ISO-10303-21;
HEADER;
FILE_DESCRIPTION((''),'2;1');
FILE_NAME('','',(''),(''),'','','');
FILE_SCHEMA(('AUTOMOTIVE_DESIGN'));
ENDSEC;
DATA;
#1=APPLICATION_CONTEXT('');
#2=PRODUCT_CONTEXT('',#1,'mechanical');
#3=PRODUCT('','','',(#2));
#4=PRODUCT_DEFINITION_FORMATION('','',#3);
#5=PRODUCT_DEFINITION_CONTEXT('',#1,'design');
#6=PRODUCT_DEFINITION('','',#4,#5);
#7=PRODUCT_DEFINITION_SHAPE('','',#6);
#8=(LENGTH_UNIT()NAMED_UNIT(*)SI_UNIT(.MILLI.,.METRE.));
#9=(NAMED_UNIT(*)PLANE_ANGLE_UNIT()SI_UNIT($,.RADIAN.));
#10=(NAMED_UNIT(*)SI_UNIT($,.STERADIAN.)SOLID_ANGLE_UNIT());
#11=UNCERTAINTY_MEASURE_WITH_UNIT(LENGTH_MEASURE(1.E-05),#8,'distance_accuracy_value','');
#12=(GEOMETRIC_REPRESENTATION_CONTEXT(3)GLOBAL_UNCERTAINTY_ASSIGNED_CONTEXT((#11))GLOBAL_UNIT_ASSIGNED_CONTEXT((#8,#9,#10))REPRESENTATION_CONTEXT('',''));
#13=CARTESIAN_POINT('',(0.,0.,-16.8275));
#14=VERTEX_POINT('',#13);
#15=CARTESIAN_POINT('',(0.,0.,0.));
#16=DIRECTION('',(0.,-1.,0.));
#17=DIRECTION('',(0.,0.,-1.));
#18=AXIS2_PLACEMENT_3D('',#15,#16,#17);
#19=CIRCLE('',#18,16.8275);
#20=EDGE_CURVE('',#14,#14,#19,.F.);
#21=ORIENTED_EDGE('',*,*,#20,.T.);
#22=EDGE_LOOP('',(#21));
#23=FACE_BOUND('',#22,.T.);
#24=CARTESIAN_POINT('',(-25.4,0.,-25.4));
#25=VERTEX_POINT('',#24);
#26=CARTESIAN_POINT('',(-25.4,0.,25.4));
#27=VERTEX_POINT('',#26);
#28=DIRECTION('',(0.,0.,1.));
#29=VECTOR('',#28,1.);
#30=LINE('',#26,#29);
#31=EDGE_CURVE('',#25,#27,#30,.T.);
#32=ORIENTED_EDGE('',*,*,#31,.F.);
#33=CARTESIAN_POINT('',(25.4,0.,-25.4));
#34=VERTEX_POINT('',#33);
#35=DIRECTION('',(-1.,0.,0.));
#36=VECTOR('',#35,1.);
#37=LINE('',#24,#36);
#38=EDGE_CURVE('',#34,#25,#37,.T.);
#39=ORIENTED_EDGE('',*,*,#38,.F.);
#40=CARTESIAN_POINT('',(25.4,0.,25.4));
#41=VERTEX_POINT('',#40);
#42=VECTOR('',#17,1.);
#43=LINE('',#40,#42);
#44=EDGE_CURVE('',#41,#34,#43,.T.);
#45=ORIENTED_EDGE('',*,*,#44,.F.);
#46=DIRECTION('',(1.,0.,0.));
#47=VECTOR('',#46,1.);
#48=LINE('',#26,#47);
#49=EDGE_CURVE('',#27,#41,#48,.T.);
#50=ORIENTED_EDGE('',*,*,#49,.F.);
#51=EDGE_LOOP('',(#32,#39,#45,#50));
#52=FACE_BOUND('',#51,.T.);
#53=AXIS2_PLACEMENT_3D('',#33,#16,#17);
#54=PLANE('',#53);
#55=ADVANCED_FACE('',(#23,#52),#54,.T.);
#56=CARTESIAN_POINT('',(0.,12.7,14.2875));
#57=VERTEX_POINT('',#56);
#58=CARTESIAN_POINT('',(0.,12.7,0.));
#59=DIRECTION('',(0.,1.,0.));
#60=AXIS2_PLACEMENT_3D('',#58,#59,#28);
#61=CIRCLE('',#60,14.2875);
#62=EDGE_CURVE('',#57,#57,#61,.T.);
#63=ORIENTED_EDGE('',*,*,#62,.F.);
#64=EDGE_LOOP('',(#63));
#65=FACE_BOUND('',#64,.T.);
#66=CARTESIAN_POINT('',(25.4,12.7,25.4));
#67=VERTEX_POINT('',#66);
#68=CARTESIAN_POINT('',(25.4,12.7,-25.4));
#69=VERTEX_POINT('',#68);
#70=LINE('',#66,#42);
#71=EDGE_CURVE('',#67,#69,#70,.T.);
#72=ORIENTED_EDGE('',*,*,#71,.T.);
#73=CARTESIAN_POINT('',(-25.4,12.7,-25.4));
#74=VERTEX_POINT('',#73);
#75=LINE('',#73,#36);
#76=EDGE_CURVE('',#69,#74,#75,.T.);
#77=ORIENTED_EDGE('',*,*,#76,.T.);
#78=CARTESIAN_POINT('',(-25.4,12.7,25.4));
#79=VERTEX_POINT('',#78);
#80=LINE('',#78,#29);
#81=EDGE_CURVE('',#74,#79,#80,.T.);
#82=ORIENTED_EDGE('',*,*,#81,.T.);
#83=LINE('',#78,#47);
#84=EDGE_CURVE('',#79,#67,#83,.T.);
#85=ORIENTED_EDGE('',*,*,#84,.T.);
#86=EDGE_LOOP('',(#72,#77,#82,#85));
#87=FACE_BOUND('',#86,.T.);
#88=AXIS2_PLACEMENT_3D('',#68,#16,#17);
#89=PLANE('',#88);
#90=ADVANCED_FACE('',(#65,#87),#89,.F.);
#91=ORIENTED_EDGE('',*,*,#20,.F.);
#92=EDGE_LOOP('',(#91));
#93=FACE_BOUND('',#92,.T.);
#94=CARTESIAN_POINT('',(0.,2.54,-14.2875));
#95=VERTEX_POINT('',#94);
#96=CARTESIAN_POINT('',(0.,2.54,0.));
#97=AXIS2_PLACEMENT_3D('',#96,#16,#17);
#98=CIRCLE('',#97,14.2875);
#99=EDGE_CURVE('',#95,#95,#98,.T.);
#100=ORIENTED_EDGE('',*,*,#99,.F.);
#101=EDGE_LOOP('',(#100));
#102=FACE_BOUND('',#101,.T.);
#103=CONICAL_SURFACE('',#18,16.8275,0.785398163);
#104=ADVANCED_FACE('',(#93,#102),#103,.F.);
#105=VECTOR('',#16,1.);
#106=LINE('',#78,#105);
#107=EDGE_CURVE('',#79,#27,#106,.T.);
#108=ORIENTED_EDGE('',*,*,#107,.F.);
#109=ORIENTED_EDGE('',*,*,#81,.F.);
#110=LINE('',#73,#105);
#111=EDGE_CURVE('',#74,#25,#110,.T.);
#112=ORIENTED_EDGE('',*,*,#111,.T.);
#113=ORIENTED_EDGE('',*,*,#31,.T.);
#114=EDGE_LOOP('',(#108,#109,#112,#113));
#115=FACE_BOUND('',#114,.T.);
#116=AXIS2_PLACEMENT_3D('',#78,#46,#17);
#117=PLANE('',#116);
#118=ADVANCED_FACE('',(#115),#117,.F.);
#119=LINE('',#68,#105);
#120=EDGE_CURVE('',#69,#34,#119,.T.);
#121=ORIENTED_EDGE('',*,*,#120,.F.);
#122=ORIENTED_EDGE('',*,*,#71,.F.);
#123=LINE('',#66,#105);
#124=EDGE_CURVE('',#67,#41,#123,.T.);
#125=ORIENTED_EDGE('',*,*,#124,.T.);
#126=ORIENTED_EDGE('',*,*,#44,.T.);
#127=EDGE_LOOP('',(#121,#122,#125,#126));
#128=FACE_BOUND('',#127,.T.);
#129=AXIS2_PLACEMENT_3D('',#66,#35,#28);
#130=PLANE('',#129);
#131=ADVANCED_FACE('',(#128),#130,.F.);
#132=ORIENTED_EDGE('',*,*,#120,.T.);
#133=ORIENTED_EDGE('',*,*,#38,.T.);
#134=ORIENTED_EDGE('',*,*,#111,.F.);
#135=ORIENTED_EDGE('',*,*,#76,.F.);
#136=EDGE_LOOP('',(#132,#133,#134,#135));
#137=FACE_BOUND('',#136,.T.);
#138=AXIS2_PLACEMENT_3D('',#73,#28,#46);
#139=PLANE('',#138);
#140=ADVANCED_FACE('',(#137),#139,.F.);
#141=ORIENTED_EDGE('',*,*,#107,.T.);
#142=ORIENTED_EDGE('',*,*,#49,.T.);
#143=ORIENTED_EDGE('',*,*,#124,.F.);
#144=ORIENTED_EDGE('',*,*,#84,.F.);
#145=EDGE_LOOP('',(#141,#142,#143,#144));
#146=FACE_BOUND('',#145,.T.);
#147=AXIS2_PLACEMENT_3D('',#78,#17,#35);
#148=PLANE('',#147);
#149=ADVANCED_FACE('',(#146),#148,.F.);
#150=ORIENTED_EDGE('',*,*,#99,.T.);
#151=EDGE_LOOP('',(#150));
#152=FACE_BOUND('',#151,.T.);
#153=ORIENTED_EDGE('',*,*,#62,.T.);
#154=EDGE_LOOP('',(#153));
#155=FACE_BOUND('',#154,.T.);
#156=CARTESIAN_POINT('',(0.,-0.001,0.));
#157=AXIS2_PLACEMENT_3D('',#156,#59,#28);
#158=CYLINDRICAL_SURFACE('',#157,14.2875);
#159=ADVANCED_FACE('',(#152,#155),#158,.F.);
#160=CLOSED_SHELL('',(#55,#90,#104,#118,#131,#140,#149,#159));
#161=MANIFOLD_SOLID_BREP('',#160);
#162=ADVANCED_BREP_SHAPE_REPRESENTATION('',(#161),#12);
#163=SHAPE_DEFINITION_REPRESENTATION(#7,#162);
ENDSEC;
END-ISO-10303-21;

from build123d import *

# Parameters (mm, degrees)
SKETCH1_W           = 50.8
SKETCH1_H           = 50.8
BOSS_EXTRUDE1_DEPTH = 12.7
CUT_EXTRUDE1_REACH  = 40.1
SKETCH2_R           = 14.2875
CHAMFER1_SIZE       = 2.54


with BuildPart() as part:
    # Sketch1 → Boss-Extrude1 (new body)
    with BuildSketch(Plane(origin=(0, 0, 0), x_dir=(1, 0, 0), z_dir=(0, 1, 0))):
        Rectangle(SKETCH1_W, SKETCH1_H)
    extrude(amount=BOSS_EXTRUDE1_DEPTH)

    # Sketch2 → Cut-Extrude1 (cut, up to next)
    with BuildSketch(Plane(origin=(0, 12.7, 0), x_dir=(1, 0, 0), z_dir=(0, 1, 0)), mode=Mode.PRIVATE) as cut_extrude1_sk1:
        with Locations(Location((0, 0, 0), (0, 0, 270))):
            Circle(SKETCH2_R)
    cut_extrude1_tool1 = extrude(cut_extrude1_sk1.sketch, amount=-CUT_EXTRUDE1_REACH, mode=Mode.PRIVATE) & part.part
    add(cut_extrude1_tool1.solids().sort_by_distance((0, 12.7, 0))[0], mode=Mode.SUBTRACT)

    # Chamfer1
    chamfer1_edges = [part.edges().sort_by_distance(p)[0] for p in [
        (0, 0, -14.2875),
    ]]
    chamfer(chamfer1_edges, length=CHAMFER1_SIZE)


solid = part.part
